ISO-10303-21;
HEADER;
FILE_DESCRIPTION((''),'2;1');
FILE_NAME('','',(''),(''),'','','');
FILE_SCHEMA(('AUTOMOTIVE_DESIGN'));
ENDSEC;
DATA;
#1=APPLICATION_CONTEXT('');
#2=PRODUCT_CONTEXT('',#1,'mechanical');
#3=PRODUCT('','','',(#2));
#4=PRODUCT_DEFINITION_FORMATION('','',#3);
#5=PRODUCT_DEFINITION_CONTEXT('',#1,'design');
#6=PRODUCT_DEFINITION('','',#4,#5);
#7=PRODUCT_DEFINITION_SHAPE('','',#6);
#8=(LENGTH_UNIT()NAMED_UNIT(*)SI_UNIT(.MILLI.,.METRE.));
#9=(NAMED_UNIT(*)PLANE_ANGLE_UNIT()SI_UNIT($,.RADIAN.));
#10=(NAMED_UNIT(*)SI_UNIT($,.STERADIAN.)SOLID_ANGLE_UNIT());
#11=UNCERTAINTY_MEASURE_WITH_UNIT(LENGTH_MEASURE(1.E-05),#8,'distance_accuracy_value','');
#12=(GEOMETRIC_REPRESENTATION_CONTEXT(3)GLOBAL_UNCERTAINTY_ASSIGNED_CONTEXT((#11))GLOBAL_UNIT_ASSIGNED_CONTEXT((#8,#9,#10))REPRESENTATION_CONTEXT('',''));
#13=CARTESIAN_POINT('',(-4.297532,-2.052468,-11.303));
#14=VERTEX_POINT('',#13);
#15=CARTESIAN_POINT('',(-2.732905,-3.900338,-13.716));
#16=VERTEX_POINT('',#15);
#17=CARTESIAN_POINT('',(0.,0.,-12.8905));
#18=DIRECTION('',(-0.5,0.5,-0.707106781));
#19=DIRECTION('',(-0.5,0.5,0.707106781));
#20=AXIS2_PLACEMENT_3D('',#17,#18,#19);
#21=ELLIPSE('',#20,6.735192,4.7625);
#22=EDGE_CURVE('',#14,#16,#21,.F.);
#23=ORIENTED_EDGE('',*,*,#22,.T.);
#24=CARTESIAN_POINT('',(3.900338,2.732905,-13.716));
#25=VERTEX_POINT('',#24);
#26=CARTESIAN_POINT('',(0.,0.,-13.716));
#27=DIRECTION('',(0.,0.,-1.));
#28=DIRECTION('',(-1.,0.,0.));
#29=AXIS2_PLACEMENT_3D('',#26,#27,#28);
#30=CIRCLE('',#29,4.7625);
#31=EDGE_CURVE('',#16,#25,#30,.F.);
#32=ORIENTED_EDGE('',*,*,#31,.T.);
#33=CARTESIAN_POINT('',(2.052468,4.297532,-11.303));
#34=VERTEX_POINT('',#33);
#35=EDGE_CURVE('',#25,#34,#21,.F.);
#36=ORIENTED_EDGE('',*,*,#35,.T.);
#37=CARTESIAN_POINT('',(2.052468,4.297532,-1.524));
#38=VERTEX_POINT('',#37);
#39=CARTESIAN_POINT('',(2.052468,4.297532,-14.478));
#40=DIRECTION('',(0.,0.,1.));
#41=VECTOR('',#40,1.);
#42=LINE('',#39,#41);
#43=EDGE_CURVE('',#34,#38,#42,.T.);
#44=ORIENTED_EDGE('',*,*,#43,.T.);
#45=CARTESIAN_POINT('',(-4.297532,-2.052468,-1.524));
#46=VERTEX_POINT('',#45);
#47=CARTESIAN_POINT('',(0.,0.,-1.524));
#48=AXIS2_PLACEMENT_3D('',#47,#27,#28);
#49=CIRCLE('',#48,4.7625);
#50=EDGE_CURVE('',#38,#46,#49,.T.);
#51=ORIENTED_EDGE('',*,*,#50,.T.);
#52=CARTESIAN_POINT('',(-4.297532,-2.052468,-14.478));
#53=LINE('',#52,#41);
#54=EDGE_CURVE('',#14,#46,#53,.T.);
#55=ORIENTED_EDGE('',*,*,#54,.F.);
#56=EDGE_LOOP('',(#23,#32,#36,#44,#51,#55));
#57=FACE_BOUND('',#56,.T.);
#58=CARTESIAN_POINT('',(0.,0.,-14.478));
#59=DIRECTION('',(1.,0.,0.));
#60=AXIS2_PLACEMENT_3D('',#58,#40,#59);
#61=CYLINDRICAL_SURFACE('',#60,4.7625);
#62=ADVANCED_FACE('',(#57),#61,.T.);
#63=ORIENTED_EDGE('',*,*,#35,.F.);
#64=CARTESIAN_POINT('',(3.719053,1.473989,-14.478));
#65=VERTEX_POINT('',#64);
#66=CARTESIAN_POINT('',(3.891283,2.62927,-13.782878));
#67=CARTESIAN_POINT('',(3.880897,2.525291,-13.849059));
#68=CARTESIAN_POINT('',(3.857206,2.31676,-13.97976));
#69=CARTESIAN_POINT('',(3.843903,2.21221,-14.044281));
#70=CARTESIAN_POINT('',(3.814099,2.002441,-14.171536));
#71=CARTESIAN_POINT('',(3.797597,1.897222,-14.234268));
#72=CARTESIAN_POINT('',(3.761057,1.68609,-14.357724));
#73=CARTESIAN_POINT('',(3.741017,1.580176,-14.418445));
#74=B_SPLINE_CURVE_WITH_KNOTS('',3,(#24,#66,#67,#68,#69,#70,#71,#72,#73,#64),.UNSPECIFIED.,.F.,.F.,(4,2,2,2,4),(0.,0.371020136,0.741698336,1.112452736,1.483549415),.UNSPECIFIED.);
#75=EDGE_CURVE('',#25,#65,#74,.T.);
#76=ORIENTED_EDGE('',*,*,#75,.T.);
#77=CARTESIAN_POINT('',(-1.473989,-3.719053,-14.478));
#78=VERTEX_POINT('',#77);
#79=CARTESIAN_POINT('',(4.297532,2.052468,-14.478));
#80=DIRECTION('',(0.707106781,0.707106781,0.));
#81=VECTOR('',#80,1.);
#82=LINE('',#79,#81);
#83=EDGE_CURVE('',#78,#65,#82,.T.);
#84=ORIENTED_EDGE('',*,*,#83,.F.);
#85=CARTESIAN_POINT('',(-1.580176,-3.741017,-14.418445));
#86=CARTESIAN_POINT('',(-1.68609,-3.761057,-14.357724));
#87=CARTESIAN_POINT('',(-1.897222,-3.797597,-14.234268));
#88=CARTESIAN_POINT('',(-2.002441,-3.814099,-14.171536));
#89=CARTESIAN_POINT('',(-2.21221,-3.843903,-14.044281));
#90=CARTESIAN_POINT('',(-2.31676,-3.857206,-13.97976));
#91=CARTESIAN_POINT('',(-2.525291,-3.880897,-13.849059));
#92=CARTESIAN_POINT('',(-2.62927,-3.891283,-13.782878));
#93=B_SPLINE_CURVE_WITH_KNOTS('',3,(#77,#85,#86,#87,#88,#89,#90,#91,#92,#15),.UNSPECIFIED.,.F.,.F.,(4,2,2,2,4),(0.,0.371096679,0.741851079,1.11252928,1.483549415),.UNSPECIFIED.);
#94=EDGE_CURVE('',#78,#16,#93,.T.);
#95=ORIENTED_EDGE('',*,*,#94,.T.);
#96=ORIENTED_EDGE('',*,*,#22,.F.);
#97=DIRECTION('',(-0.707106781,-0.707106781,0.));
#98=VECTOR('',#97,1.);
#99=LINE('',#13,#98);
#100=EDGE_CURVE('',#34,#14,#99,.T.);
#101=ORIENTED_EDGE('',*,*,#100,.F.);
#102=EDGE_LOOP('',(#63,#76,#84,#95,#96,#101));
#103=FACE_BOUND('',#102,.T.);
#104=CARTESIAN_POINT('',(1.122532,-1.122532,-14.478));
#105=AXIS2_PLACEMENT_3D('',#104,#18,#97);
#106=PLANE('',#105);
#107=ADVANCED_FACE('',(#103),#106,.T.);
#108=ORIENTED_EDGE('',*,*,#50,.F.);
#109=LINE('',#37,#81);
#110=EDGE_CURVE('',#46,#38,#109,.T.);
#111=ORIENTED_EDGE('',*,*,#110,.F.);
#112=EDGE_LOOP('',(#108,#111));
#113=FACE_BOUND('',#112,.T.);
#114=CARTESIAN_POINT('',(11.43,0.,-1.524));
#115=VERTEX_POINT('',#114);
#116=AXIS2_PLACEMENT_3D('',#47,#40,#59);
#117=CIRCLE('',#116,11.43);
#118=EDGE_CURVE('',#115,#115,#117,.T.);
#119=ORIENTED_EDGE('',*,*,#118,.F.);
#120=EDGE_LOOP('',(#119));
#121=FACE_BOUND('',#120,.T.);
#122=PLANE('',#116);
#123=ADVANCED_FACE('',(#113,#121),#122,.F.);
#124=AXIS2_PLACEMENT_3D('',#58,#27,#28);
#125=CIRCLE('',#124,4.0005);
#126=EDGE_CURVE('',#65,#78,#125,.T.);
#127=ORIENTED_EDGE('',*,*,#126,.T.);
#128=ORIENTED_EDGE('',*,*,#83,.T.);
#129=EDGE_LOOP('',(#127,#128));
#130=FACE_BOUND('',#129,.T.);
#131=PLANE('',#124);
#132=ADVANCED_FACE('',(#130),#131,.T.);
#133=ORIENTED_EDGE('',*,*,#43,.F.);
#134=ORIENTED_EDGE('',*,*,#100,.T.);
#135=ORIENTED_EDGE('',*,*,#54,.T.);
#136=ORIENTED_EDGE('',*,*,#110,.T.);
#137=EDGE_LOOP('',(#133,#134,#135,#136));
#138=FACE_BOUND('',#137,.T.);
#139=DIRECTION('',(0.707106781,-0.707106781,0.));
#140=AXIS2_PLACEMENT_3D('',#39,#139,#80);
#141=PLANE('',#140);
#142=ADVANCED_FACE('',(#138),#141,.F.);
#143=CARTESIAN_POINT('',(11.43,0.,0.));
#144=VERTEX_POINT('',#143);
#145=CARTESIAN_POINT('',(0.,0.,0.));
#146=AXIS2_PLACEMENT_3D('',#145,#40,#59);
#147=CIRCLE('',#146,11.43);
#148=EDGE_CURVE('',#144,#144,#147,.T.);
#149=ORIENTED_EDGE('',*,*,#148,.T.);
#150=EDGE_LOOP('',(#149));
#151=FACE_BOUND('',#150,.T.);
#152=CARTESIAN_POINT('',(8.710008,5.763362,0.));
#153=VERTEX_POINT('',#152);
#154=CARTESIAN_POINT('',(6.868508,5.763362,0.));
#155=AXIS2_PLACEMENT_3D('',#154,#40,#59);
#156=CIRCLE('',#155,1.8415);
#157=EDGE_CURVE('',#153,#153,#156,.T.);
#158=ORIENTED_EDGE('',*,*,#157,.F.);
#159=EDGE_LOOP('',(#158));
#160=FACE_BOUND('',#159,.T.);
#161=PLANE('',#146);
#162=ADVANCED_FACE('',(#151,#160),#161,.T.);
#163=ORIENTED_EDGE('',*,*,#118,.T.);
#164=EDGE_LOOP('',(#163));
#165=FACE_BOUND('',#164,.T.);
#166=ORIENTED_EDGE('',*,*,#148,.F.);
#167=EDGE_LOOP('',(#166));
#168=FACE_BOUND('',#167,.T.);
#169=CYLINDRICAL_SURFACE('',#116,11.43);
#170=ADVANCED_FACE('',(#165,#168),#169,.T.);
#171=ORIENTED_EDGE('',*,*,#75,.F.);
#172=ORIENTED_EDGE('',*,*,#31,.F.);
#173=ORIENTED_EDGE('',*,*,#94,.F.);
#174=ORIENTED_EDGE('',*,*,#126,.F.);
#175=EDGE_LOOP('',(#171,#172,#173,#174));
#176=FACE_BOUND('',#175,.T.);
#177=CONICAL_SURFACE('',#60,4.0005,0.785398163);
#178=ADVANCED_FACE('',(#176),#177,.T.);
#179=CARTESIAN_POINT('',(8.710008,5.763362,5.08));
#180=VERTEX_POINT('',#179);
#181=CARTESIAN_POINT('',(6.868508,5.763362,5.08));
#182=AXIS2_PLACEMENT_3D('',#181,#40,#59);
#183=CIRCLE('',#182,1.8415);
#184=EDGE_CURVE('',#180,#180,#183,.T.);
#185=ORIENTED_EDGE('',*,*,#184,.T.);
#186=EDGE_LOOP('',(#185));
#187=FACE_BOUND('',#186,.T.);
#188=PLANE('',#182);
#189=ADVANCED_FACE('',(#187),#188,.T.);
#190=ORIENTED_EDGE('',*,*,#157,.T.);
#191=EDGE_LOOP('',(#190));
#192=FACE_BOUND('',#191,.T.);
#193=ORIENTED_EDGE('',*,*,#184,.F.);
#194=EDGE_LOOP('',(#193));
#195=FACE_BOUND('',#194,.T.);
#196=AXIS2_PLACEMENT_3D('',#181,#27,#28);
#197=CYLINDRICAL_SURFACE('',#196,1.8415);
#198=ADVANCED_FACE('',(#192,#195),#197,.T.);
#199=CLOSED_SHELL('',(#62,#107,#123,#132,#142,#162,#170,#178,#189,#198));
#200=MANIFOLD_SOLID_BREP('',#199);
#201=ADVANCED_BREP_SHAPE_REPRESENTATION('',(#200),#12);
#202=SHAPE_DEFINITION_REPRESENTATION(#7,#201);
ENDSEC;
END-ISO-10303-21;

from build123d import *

# Parameters (mm, degrees)
SKETCH1_R           = 11.43
BOSS_EXTRUDE1_DEPTH = 1.524
BOSS_EXTRUDE2_DEPTH = 12.954
CHAMFER1_SIZE       = 3.175
CHAMFER2_SIZE       = 0.762
SKETCH3_R           = 1.8415
BOSS_EXTRUDE3_DEPTH = 5.08


with BuildPart() as part:
    # Sketch1 → Boss-Extrude1 (new body)
    with BuildSketch(Plane.XY):
        Circle(SKETCH1_R)
    extrude(amount=-BOSS_EXTRUDE1_DEPTH)

    # Sketch2 → Boss-Extrude2 (add)
    with BuildSketch(Plane(origin=(0, 0, -1.524), x_dir=(-1, 0, 0), z_dir=(0, 0, -1))):
        with BuildLine():
            Line((-2.052467985, 4.297532015), (4.297532015, -2.052467985))
            ThreePointArc((4.297532015, -2.052467985), (-3.367596045, -3.367596045), (-2.052467985, 4.297532015))
        make_face()
    extrude(amount=BOSS_EXTRUDE2_DEPTH)

    # Chamfer1
    chamfer1_edges = [part.edges().sort_by_distance(p)[0] for p in [
        (-1.122532015, 1.122532015, -14.478),
    ]]
    chamfer(chamfer1_edges, length=CHAMFER1_SIZE)

    # Chamfer2
    chamfer2_edges = [part.edges().sort_by_distance(p)[0] for p in [
        (3.367596045, -3.367596045, -14.478),
    ]]
    chamfer(chamfer2_edges, length=CHAMFER2_SIZE)

    # Sketch3 → Boss-Extrude3 (add)
    with BuildSketch(Plane.XY):
        with Locations((6.868507686, 5.763362266)):
            Circle(SKETCH3_R)
    extrude(amount=BOSS_EXTRUDE3_DEPTH)


solid = part.part
